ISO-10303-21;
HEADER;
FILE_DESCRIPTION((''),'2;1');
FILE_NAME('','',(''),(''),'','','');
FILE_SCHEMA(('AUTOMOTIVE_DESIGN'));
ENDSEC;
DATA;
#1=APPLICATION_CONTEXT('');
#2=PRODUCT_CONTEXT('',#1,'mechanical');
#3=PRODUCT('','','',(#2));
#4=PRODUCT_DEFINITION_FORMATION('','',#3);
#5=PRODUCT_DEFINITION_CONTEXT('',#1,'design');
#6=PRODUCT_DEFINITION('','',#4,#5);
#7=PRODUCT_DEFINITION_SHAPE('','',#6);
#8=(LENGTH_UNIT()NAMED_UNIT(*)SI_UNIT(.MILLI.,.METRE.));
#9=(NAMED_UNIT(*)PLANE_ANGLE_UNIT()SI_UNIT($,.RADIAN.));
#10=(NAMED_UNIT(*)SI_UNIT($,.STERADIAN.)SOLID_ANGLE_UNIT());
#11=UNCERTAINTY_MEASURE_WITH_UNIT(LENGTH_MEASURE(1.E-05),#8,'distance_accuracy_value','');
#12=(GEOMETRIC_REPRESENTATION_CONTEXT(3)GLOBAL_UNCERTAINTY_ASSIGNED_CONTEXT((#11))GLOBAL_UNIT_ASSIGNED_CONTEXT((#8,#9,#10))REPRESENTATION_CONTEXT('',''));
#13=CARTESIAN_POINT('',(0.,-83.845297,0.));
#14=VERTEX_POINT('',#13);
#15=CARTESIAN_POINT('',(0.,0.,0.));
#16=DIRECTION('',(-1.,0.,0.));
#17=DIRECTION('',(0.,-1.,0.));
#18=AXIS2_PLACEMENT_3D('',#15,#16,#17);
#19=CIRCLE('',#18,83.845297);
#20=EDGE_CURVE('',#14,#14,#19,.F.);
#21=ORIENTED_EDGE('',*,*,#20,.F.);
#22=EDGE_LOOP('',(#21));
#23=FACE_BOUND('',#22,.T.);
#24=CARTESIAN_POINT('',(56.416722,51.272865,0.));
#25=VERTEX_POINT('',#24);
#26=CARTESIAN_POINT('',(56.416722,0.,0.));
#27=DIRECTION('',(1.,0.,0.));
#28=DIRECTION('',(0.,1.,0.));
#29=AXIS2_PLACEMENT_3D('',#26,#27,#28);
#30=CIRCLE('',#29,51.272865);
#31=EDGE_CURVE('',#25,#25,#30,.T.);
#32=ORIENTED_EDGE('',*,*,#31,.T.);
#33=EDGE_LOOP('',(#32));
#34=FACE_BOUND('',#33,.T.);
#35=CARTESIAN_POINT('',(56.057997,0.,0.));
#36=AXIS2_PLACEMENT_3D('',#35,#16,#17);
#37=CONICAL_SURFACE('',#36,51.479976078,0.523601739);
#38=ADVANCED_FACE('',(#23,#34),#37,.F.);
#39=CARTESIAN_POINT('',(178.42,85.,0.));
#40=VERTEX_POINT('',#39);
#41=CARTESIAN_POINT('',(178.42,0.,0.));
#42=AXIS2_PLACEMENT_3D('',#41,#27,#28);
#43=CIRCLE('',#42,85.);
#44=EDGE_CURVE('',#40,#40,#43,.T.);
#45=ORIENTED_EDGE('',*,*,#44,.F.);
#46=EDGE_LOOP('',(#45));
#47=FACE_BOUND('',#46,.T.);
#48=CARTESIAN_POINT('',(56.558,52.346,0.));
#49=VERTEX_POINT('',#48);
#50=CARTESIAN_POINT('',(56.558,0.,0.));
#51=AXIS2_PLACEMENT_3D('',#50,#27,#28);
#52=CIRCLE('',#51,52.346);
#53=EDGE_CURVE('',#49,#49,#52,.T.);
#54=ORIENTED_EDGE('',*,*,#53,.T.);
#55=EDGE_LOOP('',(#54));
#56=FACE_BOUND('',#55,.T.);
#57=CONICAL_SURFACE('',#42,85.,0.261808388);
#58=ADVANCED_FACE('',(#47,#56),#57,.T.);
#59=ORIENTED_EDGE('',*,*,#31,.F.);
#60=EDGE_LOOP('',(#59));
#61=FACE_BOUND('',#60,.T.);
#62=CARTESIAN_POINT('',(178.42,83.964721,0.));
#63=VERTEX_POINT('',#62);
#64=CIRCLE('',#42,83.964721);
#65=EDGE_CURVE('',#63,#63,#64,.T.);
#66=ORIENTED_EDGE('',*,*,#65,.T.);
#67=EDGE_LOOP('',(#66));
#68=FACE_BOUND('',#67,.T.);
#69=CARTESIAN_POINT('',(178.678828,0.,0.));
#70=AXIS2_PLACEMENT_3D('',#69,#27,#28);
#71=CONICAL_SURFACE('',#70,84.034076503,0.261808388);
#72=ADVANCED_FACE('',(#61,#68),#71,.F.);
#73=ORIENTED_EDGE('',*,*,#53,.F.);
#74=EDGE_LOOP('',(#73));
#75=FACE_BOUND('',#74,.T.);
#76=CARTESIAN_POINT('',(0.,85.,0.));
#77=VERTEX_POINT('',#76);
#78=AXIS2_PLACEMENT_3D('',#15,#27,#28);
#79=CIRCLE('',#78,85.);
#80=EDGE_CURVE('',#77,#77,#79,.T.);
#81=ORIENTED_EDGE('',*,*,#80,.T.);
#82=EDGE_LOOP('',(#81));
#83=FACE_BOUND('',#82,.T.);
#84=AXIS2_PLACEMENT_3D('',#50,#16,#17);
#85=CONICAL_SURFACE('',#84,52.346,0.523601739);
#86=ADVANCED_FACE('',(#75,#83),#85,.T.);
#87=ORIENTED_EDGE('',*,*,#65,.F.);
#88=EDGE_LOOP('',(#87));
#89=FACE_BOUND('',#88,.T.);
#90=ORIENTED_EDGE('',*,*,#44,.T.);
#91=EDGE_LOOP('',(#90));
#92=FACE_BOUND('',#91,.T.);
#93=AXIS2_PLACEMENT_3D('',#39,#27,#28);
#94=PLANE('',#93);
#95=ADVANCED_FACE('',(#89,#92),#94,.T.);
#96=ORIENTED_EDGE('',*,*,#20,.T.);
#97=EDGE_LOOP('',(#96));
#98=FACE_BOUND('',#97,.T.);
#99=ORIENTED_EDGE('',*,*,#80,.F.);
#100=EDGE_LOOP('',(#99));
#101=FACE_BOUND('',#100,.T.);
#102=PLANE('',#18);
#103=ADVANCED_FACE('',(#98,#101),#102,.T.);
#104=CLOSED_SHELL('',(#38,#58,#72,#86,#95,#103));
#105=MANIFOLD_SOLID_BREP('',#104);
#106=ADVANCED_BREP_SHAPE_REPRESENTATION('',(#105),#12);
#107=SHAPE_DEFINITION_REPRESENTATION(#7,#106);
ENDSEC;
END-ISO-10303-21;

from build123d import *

# Parameters (mm, degrees)
SHELL2_T = -1


with BuildPart() as part:
    # Sketch2 → Revolve1 (revolve)
    with BuildSketch(Plane.XY):
        Polygon((0, 0), (0, 85), (56.558, 52.346), (178.42, 85), (178.42, 0), align=None)
    revolve(axis=Axis((178.42, 0, 0), (-1, 0, 0)))

    # Shell2
    shell2_openings = [part.faces().sort_by_distance(p)[0] for p in [
        (178.42, 0, 0),
        (0, 0, 0),
    ]]
    offset(amount=SHELL2_T, openings=shell2_openings, kind=Kind.INTERSECTION)


solid = part.part
